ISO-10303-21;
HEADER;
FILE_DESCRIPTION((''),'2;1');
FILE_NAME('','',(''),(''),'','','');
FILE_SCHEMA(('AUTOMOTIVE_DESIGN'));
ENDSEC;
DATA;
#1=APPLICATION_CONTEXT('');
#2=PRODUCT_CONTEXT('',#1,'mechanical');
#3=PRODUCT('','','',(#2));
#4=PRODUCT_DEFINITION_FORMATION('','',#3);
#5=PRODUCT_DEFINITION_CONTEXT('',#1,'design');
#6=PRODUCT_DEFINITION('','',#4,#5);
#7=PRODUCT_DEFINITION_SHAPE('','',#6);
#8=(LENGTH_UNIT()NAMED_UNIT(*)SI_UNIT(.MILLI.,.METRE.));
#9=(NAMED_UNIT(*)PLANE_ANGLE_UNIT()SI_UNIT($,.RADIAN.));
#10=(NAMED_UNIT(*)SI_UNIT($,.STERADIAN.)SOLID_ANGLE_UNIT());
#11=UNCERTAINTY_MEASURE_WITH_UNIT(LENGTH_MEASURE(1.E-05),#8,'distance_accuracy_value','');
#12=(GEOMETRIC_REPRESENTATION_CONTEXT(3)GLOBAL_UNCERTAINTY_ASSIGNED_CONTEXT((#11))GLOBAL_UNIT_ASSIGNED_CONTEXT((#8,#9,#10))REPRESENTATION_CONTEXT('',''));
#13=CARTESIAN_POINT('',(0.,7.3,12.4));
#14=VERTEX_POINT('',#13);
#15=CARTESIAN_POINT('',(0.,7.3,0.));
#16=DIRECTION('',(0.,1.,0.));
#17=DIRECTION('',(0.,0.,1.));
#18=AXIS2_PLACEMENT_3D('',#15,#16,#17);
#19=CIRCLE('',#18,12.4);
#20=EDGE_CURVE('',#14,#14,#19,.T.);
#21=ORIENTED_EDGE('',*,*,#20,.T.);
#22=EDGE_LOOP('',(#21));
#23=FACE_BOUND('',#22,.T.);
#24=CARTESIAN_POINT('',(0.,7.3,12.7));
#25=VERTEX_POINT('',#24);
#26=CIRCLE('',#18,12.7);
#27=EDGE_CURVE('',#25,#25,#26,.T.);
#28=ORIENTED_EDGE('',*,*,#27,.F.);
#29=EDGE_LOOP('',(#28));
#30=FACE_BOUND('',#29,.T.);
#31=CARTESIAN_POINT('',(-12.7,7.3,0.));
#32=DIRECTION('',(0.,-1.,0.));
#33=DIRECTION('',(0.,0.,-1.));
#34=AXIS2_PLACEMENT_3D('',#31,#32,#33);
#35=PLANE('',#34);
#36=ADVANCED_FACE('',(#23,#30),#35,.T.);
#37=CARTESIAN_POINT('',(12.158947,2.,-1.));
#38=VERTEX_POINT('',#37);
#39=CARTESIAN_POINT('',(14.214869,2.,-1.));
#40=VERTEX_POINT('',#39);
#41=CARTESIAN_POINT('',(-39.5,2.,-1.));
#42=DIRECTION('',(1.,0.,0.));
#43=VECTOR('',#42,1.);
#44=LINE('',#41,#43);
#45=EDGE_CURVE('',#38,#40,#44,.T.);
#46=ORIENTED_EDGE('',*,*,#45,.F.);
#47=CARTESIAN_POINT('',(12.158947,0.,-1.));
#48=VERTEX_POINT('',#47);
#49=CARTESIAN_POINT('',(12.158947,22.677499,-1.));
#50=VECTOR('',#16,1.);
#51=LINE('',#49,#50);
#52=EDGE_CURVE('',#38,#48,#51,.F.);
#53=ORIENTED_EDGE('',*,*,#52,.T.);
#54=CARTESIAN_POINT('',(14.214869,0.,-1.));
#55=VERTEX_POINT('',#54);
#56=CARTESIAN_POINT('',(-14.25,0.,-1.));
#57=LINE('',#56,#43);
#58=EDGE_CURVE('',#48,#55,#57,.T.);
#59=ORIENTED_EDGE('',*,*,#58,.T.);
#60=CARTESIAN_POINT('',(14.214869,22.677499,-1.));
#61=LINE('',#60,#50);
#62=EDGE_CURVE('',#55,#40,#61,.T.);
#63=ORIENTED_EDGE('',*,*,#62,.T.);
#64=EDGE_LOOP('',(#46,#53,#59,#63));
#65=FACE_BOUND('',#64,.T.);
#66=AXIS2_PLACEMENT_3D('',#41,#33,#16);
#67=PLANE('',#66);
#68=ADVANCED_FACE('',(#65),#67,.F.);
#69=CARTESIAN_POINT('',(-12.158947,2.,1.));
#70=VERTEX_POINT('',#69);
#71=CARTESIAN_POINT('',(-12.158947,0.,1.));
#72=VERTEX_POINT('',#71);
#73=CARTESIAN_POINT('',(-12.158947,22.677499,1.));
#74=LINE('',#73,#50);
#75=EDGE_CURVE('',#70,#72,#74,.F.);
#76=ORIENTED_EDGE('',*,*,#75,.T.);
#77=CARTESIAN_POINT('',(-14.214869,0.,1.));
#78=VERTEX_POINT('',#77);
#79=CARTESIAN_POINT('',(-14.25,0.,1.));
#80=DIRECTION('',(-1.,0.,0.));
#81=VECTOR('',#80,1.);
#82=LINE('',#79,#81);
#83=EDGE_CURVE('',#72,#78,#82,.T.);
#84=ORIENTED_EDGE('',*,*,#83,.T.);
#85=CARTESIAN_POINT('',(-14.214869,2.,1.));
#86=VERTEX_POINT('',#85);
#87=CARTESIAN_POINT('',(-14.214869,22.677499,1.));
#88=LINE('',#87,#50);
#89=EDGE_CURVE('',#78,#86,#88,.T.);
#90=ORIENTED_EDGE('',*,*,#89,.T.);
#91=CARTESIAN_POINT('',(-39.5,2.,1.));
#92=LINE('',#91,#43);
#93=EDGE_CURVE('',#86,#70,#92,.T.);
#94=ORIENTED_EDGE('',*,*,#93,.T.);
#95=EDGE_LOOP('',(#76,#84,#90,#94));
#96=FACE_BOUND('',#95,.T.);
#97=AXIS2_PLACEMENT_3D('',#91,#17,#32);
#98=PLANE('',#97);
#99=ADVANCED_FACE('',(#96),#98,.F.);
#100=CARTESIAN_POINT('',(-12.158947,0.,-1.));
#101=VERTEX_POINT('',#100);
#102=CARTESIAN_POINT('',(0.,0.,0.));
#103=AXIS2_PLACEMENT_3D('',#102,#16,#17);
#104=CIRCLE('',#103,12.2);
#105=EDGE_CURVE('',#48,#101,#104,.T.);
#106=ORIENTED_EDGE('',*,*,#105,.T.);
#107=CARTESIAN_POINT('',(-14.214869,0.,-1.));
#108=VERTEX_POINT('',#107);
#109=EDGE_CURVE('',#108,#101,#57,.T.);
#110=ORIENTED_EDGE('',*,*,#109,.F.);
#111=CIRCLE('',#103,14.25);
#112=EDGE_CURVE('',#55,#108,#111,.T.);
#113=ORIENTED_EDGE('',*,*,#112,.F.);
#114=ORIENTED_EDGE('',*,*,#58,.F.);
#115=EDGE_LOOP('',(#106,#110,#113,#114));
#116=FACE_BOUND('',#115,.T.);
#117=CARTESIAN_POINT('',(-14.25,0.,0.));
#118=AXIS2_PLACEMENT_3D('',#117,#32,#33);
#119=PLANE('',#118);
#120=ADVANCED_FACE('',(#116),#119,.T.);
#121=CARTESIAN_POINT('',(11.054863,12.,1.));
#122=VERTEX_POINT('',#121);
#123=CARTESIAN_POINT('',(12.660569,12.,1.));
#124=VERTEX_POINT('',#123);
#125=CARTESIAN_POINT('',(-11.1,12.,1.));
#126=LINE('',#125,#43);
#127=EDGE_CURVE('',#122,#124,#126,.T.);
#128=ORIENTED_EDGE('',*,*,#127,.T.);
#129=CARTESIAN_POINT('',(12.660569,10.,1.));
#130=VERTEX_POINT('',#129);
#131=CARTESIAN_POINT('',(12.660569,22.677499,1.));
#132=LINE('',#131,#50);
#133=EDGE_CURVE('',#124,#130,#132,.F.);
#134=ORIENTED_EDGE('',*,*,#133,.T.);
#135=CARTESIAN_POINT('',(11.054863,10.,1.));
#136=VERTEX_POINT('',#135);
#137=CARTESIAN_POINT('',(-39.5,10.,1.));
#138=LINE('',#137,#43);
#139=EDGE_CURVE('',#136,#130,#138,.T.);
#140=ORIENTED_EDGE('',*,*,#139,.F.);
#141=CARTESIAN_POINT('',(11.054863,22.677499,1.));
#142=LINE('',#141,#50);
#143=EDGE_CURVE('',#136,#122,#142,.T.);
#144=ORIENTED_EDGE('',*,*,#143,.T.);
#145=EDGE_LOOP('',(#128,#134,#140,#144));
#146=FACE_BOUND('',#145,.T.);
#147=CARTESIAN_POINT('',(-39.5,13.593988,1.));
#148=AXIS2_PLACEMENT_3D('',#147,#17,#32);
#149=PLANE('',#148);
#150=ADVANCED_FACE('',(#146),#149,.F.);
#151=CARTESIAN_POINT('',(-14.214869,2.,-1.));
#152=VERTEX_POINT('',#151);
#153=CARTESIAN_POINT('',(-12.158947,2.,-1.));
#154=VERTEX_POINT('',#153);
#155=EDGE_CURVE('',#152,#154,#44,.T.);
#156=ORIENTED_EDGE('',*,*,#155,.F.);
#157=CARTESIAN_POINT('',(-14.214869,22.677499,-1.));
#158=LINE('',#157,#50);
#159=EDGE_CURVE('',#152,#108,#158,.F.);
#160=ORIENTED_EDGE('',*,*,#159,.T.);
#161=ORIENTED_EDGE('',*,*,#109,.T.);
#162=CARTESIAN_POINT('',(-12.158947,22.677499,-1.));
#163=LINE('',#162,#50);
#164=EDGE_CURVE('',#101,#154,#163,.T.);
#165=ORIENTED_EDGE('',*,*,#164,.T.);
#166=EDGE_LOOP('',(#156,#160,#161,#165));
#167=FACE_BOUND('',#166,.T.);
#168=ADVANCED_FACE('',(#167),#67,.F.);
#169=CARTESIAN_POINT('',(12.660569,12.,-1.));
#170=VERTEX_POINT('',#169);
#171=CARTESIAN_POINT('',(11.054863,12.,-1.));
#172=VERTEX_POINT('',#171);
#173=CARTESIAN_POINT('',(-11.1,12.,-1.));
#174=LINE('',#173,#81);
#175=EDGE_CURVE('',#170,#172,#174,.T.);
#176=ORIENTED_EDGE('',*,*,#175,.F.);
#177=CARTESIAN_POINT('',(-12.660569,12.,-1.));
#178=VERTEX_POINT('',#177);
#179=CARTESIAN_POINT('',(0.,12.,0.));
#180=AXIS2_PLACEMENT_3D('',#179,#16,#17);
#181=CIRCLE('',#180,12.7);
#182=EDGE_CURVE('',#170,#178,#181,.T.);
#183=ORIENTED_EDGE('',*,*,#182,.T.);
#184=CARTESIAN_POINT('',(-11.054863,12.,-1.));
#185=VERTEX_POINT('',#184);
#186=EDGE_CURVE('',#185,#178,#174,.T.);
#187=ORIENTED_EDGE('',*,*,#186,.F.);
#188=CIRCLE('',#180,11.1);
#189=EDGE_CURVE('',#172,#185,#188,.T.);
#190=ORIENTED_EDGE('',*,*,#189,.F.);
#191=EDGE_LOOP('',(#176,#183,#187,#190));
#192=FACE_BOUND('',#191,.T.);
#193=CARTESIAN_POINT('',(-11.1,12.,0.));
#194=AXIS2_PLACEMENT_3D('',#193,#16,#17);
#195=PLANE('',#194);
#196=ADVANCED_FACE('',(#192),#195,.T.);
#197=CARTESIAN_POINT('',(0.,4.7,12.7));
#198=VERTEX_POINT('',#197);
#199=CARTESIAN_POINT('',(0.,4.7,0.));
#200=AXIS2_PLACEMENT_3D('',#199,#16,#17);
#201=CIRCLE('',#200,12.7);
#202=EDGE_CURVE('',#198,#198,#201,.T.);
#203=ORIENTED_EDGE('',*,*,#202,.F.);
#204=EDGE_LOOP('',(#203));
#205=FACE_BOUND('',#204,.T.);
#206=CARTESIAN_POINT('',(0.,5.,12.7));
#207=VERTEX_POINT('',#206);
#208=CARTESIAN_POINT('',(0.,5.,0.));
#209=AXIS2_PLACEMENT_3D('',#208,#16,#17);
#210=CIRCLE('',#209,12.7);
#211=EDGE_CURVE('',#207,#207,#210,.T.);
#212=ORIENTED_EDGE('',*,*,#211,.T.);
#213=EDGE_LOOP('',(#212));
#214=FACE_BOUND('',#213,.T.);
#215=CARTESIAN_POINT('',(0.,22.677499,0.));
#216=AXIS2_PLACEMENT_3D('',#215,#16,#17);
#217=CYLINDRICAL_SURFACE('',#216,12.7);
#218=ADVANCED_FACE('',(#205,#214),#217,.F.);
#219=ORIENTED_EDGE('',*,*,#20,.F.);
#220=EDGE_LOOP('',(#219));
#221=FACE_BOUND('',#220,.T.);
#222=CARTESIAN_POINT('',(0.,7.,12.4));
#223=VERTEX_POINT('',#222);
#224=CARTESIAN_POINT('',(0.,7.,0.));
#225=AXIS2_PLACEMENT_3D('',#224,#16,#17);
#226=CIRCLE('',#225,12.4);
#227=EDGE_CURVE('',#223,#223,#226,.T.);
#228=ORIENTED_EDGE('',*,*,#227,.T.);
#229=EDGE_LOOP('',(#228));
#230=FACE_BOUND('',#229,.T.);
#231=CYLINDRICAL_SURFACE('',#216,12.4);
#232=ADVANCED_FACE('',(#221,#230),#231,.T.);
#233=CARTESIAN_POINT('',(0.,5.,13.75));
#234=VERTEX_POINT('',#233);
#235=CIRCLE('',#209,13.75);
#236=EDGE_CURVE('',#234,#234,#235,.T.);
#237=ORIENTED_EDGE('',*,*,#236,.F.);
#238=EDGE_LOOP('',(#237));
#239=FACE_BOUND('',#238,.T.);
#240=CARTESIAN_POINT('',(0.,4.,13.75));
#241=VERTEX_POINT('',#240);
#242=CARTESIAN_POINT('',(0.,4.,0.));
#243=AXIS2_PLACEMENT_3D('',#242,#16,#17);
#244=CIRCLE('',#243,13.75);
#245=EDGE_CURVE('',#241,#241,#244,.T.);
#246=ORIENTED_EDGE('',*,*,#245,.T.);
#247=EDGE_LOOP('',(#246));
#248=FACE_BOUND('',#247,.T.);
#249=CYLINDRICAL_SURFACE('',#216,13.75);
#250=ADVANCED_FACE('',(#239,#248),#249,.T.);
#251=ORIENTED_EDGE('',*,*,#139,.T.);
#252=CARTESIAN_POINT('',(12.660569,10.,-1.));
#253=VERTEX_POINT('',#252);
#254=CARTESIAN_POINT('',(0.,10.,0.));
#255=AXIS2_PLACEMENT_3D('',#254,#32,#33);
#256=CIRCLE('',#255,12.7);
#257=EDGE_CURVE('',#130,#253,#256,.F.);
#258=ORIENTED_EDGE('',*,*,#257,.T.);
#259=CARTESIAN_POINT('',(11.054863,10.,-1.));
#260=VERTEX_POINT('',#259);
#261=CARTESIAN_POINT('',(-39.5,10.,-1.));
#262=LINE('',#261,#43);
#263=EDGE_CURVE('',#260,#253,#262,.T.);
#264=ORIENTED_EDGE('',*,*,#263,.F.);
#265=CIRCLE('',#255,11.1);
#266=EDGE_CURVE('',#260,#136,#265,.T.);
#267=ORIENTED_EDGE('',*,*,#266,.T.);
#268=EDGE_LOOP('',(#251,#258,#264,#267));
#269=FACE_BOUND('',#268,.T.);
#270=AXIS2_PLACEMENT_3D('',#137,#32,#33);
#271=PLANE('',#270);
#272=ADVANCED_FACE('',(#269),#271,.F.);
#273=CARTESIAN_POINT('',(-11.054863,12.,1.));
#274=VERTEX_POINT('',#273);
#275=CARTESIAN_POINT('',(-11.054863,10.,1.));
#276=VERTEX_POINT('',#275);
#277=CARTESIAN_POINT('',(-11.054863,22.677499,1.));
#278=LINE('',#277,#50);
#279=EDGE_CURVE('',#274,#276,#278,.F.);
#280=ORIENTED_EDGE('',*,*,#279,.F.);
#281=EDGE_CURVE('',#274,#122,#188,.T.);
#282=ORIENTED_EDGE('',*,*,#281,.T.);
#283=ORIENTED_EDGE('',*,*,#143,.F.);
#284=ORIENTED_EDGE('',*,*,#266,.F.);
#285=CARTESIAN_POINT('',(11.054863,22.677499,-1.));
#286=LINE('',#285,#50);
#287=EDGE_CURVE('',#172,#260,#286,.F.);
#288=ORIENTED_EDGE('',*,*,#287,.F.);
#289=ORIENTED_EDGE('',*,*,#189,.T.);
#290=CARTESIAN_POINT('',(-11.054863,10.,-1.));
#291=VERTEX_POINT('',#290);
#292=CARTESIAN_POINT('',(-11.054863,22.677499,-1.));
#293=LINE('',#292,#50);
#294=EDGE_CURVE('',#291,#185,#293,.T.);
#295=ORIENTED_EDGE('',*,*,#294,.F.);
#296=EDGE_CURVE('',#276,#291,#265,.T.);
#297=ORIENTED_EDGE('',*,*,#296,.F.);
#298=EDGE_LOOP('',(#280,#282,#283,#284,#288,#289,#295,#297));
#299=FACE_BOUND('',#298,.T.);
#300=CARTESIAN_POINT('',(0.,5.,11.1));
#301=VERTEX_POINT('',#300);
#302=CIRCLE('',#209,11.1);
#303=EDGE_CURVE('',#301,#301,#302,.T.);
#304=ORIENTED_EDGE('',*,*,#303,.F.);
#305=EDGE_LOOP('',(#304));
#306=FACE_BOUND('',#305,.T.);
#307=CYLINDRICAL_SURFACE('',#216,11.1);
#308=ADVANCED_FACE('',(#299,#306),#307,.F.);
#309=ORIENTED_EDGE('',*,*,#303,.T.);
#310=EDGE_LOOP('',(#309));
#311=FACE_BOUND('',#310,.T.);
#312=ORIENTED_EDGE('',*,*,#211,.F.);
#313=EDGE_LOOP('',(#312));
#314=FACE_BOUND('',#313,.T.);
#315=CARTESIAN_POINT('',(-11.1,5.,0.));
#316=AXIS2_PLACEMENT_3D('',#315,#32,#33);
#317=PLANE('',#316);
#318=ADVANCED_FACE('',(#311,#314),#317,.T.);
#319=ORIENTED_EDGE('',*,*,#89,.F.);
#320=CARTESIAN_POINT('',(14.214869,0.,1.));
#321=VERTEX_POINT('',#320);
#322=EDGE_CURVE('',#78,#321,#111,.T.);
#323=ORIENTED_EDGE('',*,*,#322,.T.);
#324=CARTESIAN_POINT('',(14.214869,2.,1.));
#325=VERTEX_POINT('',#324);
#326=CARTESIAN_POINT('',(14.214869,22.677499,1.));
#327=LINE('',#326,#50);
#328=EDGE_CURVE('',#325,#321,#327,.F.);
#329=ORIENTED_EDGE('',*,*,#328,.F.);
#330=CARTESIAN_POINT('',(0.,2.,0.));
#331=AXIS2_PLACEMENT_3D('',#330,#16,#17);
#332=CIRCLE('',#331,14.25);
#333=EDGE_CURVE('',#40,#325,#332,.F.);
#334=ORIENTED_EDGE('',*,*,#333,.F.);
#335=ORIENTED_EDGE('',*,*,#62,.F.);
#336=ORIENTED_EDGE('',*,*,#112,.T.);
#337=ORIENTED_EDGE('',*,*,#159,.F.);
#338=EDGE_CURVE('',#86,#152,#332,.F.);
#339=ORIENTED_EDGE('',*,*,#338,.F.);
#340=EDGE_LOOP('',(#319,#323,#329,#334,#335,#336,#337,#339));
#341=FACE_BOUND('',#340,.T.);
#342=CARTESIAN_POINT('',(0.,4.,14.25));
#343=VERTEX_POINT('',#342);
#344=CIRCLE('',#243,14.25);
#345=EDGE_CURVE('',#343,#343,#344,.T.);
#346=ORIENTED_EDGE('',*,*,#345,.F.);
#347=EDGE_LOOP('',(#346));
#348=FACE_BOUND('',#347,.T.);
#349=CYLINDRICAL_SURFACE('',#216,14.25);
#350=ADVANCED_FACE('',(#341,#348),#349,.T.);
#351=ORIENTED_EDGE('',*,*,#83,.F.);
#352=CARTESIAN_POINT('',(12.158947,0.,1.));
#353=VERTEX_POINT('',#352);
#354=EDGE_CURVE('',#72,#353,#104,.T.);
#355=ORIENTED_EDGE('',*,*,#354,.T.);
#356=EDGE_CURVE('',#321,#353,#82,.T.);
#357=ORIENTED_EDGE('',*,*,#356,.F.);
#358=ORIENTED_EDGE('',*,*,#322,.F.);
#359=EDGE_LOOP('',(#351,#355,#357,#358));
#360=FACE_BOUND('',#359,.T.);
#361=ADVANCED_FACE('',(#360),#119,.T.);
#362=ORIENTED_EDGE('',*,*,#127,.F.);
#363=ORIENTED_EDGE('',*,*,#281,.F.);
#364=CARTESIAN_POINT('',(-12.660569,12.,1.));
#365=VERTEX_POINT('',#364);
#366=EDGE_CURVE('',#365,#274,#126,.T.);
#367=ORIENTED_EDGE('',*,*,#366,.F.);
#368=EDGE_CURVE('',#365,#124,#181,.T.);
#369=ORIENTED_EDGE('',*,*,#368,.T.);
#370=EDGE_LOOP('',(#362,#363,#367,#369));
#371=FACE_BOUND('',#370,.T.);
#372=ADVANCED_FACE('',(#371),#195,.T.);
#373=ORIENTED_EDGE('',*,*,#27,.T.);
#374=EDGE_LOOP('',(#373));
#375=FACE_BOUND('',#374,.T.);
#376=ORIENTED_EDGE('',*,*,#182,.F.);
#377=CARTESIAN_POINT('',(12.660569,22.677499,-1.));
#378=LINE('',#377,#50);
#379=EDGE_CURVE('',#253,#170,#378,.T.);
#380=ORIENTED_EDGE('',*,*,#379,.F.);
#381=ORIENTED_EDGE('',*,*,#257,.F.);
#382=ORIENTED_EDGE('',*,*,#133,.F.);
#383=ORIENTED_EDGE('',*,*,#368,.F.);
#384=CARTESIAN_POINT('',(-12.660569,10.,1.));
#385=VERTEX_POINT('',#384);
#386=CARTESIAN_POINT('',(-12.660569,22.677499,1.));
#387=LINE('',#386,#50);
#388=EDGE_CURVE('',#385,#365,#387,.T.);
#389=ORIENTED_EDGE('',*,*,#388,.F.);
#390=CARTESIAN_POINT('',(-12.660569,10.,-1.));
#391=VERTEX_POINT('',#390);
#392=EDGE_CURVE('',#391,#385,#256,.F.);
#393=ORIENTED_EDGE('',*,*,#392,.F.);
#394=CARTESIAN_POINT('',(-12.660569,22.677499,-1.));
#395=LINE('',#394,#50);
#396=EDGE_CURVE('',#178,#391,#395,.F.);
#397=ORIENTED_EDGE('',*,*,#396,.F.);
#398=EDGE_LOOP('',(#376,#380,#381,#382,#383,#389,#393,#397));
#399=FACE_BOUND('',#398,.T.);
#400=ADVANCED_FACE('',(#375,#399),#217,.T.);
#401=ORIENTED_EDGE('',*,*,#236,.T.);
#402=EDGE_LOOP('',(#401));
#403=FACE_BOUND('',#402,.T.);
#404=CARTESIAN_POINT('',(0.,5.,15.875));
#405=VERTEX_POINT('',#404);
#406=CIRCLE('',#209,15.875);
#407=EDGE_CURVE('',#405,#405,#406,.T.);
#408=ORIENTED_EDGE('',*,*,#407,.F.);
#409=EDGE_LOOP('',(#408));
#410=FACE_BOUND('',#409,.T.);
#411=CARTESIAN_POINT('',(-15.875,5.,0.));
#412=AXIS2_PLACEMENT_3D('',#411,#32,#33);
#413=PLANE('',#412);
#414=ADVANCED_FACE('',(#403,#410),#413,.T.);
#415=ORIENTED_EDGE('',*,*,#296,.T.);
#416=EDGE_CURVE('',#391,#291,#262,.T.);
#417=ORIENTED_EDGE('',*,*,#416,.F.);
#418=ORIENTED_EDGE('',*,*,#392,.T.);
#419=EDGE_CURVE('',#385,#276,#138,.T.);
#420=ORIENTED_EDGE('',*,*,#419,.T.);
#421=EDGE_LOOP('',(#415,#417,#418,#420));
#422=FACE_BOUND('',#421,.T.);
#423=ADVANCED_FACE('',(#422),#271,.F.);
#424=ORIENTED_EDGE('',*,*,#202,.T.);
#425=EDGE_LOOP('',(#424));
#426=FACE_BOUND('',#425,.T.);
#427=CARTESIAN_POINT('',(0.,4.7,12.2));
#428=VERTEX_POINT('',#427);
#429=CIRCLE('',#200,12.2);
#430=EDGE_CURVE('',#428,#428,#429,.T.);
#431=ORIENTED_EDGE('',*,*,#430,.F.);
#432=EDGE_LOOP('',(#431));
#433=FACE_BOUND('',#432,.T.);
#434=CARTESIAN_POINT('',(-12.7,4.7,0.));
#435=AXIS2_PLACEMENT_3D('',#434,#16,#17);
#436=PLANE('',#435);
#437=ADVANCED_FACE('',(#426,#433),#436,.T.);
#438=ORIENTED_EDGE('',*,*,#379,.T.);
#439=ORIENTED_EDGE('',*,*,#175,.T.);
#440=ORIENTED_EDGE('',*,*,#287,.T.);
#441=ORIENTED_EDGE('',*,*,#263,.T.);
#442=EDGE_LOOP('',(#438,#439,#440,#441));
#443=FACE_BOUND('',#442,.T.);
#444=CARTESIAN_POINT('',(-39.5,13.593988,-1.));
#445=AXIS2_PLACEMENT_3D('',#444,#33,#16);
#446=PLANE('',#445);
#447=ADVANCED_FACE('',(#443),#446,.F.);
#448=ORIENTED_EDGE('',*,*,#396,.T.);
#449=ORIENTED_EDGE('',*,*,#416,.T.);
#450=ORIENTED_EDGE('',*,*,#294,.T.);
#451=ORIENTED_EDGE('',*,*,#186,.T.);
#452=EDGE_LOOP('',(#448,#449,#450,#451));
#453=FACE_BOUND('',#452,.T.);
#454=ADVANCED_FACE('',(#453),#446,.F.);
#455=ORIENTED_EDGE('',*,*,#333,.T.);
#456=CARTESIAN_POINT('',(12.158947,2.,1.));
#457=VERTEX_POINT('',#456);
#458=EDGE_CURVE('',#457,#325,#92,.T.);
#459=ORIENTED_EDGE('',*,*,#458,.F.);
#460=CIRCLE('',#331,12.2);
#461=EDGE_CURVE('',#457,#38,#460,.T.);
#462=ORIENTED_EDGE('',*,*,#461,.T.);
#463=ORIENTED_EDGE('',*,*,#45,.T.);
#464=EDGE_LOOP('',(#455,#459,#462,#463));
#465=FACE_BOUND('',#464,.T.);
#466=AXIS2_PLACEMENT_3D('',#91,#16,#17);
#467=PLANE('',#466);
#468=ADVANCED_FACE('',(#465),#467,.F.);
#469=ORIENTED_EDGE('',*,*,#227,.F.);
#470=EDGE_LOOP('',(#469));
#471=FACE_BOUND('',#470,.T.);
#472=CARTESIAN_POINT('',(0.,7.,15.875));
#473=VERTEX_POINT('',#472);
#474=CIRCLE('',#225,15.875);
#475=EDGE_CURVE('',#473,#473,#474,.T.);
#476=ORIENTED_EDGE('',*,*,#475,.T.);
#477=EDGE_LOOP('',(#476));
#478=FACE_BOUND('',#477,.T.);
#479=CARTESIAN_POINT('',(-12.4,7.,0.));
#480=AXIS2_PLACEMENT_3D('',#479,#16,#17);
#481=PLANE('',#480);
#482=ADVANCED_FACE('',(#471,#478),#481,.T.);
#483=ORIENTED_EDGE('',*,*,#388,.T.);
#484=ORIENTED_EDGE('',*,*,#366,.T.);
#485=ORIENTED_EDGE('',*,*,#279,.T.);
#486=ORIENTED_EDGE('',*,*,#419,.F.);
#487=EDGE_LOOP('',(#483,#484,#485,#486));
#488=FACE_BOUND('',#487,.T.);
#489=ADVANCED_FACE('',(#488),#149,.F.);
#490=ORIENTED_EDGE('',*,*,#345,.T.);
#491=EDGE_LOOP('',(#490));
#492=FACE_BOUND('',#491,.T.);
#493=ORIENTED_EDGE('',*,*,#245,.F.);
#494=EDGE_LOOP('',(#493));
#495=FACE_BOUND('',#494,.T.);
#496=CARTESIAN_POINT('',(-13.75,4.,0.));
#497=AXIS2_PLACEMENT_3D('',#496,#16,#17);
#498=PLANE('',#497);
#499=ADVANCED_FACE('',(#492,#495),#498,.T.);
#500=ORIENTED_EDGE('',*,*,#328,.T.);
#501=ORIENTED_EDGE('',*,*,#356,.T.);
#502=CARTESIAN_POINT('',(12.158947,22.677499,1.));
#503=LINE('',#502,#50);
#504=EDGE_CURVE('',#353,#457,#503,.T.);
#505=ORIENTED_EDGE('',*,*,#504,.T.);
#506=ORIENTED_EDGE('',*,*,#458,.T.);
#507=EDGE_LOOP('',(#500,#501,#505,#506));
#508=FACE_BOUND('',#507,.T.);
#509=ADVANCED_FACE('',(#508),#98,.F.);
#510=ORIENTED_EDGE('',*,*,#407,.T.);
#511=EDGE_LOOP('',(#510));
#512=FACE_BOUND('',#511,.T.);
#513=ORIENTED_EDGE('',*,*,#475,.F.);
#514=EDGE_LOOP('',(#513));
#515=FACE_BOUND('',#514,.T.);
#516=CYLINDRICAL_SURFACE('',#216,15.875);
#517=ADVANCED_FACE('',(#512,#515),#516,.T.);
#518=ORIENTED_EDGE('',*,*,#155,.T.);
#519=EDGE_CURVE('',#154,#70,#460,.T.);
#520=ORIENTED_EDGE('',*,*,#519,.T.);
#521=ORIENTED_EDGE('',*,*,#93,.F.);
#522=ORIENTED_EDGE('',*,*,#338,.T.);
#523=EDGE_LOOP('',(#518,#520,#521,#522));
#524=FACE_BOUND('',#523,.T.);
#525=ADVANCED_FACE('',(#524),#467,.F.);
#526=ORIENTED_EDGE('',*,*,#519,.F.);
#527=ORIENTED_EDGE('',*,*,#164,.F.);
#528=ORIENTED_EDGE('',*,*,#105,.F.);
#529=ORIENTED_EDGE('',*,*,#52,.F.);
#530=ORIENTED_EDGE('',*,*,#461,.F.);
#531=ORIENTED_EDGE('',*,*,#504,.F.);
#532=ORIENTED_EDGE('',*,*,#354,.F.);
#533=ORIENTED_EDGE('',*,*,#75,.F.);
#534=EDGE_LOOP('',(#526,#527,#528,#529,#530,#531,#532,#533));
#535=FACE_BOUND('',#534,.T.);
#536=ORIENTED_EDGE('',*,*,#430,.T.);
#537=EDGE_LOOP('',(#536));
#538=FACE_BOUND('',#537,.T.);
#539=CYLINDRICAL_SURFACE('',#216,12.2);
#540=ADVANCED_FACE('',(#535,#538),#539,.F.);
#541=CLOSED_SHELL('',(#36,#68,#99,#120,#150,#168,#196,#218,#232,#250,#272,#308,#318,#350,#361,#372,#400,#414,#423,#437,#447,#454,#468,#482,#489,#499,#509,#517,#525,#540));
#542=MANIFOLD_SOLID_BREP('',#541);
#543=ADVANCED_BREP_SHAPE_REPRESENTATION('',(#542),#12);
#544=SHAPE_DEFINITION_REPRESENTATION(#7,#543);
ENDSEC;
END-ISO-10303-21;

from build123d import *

# Parameters (mm, degrees)
SKETCH_2_W          = 2
SKETCH_2_H          = 3.593987872
SKETCH_2_H_2        = 6.667892238
CUT_EXTRUDE_1_DEPTH = 39.5


with BuildPart() as part:
    # 草图1 → 旋转1 (revolve)
    with BuildSketch(Plane.XY, mode=Mode.PRIVATE) as revolve_1_sk:
        Polygon((-11.1, 12), (-12.7, 12), (-12.7, 7.3), (-12.4, 7.3), (-12.4, 7), (-15.875, 7), (-15.875, 5), (-13.75, 5), (-13.75, 4), (-14.25, 4), (-14.25, 0), (-12.2, 0), (-12.2, 4.7), (-12.7, 4.7), (-12.7, 5), (-11.1, 5), align=None)
    revolve(revolve_1_sk.sketch.rotate(Axis((0, 22.677499451, 0), (0, -1, 0)), 270), axis=Axis((0, 22.677499451, 0), (0, -1, 0)))  # turned: the seam where the file's is

    # 草图2 → 切除-拉伸1 (cut, symmetric)
    with BuildSketch(Plane(origin=(0, 0, 0), x_dir=(0, 0, -1), z_dir=(1, 0, 0))):
        with Locations((0, 11.796993936)):
            Rectangle(SKETCH_2_W, SKETCH_2_H)
        with Locations((0, -1.333946119)):
            Rectangle(SKETCH_2_W, SKETCH_2_H_2)
    extrude(amount=CUT_EXTRUDE_1_DEPTH, both=True, mode=Mode.SUBTRACT)


solid = part.part
